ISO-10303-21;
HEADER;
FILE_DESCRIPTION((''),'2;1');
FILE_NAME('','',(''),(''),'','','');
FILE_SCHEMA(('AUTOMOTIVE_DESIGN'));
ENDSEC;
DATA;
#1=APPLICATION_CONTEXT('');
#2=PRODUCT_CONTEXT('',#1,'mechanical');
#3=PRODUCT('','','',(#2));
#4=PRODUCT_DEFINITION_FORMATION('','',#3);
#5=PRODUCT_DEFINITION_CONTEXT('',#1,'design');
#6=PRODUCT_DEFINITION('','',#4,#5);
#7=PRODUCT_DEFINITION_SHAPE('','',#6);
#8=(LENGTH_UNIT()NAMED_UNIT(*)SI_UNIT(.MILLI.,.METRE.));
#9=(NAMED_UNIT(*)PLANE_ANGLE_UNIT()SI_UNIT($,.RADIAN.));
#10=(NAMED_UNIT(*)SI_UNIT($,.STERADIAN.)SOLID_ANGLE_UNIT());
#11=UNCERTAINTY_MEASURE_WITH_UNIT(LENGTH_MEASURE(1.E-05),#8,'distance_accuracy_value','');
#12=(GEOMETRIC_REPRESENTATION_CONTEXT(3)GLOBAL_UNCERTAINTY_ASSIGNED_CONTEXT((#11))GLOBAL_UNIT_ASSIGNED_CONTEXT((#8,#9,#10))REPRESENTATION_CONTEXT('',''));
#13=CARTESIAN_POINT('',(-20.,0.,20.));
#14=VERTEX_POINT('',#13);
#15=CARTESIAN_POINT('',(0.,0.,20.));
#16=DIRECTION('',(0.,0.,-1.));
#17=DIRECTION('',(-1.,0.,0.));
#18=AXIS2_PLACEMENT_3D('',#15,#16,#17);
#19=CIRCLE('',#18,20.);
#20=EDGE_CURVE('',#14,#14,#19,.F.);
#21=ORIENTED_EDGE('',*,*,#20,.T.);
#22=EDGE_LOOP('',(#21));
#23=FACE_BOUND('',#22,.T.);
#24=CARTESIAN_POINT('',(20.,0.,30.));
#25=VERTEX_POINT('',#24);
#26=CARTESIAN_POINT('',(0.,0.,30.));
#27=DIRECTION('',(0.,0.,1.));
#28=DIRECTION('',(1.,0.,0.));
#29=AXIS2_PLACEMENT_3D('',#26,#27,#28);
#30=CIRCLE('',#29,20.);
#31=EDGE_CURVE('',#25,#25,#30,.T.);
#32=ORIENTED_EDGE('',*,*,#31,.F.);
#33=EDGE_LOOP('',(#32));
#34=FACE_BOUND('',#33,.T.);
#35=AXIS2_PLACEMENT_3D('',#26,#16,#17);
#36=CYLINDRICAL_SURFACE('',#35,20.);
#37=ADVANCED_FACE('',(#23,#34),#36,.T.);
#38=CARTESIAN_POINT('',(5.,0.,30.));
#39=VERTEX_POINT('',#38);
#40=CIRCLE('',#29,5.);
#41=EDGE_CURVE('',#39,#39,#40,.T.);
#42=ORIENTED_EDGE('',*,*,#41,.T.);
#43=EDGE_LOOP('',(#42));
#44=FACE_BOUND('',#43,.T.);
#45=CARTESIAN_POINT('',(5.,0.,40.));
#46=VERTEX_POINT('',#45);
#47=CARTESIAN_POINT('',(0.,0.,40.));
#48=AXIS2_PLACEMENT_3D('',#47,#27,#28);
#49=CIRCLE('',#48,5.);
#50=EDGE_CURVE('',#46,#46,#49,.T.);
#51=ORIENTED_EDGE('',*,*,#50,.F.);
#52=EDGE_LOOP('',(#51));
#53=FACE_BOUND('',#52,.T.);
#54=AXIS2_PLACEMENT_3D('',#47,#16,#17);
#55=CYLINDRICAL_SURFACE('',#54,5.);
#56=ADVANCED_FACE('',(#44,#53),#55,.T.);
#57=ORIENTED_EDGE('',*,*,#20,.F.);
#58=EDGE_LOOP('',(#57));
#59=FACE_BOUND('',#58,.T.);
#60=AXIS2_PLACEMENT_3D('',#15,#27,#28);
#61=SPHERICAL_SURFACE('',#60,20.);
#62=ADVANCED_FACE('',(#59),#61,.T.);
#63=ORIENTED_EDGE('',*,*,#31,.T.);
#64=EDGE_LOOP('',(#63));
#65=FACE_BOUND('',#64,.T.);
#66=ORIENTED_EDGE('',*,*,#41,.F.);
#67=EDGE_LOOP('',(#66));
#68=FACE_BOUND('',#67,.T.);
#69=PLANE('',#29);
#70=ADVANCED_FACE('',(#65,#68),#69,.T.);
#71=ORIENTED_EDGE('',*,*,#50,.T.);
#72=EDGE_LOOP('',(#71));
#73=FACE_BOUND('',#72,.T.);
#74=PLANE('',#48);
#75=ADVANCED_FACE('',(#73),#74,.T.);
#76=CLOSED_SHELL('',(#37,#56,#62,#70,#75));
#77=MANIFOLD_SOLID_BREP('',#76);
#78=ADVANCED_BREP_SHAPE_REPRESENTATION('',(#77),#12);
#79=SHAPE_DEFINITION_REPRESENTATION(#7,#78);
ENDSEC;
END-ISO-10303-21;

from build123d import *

# Parameters (mm, degrees)
SKETCH1_R           = 20
BOSS_EXTRUDE1_DEPTH = 30
SKETCH2_R           = 5
BOSS_EXTRUDE2_DEPTH = 10
FILLET1_R           = 20


with BuildPart() as part:
    # Sketch1 → Boss-Extrude1 (new body)
    with BuildSketch(Plane.XY):
        Circle(SKETCH1_R)
    extrude(amount=BOSS_EXTRUDE1_DEPTH)

    # Sketch2 → Boss-Extrude2 (add)
    with BuildSketch(Plane.XY.offset(30)):
        Circle(SKETCH2_R)
    extrude(amount=BOSS_EXTRUDE2_DEPTH)

    # Fillet1
    fillet1_edges = [part.edges().sort_by_distance(p)[0] for p in [
        (-20, 0, 0),
    ]]
    fillet(fillet1_edges, radius=FILLET1_R)


solid = part.part
